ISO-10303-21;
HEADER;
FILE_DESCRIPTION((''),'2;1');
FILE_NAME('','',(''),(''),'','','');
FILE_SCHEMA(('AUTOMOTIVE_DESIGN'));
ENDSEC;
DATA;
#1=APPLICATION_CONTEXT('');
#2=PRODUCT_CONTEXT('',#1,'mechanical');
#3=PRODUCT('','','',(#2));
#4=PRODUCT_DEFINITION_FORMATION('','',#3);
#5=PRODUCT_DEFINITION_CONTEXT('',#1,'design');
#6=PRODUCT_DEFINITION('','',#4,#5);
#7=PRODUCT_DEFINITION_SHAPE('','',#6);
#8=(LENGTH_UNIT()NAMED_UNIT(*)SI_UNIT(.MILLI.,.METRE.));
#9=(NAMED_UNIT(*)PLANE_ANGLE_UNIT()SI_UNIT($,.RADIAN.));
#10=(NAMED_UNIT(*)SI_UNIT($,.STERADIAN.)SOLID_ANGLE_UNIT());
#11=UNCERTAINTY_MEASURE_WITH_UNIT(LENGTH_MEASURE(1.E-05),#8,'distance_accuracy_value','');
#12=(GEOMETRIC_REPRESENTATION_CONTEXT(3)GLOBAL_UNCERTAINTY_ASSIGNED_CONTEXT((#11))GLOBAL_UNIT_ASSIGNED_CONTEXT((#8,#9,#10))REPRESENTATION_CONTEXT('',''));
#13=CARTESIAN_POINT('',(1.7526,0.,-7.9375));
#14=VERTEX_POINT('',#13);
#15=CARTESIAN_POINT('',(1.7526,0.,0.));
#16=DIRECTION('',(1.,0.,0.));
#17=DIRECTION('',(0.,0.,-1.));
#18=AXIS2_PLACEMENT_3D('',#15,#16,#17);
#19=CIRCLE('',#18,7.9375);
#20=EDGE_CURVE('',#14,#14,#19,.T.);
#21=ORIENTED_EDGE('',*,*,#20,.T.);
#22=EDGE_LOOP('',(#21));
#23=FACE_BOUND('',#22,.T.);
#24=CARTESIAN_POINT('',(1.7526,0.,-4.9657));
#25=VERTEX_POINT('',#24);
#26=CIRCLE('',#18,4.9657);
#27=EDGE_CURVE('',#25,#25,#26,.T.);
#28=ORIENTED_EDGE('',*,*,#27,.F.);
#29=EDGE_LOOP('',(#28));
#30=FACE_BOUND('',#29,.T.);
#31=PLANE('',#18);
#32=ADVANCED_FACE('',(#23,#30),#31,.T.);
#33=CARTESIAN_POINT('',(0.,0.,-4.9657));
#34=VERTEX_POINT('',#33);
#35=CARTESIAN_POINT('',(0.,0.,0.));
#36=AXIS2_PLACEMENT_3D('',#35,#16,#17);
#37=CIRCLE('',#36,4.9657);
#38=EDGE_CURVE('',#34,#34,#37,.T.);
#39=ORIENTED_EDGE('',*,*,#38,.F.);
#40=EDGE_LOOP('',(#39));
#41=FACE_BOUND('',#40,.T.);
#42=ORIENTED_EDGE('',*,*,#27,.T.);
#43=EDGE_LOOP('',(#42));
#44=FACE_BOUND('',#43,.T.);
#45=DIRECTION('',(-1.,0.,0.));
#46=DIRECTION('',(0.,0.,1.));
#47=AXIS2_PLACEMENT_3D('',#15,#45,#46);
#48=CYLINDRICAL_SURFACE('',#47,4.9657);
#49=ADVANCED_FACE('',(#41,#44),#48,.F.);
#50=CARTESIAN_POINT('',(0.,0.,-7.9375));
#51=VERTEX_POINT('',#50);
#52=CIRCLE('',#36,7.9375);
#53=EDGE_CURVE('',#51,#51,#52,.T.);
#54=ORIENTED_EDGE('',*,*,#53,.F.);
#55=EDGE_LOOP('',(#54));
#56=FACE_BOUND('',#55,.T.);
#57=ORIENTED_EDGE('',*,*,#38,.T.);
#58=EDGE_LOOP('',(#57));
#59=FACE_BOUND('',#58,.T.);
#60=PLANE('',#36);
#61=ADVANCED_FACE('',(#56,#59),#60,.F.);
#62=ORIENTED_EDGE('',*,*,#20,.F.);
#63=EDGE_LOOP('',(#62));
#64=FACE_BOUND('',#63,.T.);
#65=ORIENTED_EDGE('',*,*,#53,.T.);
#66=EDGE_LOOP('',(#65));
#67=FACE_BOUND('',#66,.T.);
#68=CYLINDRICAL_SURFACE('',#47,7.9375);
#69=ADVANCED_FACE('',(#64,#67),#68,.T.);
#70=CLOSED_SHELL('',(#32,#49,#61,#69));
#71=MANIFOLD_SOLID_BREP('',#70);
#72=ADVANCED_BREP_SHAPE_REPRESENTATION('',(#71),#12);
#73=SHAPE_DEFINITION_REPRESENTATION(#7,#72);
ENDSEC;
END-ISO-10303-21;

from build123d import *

# Parameters (mm, degrees)
SKETCH1_R           = 7.9375
SKETCH1_R_2         = 4.9657
BOSS_EXTRUDE1_DEPTH = 1.7526


with BuildPart() as part:
    # Sketch1 → Boss-Extrude1 (new body)
    with BuildSketch(Plane(origin=(0, 0, 0), x_dir=(0, 0, -1), z_dir=(1, 0, 0))):
        Circle(SKETCH1_R)
        Circle(SKETCH1_R_2, mode=Mode.SUBTRACT)
    extrude(amount=BOSS_EXTRUDE1_DEPTH)


solid = part.part
